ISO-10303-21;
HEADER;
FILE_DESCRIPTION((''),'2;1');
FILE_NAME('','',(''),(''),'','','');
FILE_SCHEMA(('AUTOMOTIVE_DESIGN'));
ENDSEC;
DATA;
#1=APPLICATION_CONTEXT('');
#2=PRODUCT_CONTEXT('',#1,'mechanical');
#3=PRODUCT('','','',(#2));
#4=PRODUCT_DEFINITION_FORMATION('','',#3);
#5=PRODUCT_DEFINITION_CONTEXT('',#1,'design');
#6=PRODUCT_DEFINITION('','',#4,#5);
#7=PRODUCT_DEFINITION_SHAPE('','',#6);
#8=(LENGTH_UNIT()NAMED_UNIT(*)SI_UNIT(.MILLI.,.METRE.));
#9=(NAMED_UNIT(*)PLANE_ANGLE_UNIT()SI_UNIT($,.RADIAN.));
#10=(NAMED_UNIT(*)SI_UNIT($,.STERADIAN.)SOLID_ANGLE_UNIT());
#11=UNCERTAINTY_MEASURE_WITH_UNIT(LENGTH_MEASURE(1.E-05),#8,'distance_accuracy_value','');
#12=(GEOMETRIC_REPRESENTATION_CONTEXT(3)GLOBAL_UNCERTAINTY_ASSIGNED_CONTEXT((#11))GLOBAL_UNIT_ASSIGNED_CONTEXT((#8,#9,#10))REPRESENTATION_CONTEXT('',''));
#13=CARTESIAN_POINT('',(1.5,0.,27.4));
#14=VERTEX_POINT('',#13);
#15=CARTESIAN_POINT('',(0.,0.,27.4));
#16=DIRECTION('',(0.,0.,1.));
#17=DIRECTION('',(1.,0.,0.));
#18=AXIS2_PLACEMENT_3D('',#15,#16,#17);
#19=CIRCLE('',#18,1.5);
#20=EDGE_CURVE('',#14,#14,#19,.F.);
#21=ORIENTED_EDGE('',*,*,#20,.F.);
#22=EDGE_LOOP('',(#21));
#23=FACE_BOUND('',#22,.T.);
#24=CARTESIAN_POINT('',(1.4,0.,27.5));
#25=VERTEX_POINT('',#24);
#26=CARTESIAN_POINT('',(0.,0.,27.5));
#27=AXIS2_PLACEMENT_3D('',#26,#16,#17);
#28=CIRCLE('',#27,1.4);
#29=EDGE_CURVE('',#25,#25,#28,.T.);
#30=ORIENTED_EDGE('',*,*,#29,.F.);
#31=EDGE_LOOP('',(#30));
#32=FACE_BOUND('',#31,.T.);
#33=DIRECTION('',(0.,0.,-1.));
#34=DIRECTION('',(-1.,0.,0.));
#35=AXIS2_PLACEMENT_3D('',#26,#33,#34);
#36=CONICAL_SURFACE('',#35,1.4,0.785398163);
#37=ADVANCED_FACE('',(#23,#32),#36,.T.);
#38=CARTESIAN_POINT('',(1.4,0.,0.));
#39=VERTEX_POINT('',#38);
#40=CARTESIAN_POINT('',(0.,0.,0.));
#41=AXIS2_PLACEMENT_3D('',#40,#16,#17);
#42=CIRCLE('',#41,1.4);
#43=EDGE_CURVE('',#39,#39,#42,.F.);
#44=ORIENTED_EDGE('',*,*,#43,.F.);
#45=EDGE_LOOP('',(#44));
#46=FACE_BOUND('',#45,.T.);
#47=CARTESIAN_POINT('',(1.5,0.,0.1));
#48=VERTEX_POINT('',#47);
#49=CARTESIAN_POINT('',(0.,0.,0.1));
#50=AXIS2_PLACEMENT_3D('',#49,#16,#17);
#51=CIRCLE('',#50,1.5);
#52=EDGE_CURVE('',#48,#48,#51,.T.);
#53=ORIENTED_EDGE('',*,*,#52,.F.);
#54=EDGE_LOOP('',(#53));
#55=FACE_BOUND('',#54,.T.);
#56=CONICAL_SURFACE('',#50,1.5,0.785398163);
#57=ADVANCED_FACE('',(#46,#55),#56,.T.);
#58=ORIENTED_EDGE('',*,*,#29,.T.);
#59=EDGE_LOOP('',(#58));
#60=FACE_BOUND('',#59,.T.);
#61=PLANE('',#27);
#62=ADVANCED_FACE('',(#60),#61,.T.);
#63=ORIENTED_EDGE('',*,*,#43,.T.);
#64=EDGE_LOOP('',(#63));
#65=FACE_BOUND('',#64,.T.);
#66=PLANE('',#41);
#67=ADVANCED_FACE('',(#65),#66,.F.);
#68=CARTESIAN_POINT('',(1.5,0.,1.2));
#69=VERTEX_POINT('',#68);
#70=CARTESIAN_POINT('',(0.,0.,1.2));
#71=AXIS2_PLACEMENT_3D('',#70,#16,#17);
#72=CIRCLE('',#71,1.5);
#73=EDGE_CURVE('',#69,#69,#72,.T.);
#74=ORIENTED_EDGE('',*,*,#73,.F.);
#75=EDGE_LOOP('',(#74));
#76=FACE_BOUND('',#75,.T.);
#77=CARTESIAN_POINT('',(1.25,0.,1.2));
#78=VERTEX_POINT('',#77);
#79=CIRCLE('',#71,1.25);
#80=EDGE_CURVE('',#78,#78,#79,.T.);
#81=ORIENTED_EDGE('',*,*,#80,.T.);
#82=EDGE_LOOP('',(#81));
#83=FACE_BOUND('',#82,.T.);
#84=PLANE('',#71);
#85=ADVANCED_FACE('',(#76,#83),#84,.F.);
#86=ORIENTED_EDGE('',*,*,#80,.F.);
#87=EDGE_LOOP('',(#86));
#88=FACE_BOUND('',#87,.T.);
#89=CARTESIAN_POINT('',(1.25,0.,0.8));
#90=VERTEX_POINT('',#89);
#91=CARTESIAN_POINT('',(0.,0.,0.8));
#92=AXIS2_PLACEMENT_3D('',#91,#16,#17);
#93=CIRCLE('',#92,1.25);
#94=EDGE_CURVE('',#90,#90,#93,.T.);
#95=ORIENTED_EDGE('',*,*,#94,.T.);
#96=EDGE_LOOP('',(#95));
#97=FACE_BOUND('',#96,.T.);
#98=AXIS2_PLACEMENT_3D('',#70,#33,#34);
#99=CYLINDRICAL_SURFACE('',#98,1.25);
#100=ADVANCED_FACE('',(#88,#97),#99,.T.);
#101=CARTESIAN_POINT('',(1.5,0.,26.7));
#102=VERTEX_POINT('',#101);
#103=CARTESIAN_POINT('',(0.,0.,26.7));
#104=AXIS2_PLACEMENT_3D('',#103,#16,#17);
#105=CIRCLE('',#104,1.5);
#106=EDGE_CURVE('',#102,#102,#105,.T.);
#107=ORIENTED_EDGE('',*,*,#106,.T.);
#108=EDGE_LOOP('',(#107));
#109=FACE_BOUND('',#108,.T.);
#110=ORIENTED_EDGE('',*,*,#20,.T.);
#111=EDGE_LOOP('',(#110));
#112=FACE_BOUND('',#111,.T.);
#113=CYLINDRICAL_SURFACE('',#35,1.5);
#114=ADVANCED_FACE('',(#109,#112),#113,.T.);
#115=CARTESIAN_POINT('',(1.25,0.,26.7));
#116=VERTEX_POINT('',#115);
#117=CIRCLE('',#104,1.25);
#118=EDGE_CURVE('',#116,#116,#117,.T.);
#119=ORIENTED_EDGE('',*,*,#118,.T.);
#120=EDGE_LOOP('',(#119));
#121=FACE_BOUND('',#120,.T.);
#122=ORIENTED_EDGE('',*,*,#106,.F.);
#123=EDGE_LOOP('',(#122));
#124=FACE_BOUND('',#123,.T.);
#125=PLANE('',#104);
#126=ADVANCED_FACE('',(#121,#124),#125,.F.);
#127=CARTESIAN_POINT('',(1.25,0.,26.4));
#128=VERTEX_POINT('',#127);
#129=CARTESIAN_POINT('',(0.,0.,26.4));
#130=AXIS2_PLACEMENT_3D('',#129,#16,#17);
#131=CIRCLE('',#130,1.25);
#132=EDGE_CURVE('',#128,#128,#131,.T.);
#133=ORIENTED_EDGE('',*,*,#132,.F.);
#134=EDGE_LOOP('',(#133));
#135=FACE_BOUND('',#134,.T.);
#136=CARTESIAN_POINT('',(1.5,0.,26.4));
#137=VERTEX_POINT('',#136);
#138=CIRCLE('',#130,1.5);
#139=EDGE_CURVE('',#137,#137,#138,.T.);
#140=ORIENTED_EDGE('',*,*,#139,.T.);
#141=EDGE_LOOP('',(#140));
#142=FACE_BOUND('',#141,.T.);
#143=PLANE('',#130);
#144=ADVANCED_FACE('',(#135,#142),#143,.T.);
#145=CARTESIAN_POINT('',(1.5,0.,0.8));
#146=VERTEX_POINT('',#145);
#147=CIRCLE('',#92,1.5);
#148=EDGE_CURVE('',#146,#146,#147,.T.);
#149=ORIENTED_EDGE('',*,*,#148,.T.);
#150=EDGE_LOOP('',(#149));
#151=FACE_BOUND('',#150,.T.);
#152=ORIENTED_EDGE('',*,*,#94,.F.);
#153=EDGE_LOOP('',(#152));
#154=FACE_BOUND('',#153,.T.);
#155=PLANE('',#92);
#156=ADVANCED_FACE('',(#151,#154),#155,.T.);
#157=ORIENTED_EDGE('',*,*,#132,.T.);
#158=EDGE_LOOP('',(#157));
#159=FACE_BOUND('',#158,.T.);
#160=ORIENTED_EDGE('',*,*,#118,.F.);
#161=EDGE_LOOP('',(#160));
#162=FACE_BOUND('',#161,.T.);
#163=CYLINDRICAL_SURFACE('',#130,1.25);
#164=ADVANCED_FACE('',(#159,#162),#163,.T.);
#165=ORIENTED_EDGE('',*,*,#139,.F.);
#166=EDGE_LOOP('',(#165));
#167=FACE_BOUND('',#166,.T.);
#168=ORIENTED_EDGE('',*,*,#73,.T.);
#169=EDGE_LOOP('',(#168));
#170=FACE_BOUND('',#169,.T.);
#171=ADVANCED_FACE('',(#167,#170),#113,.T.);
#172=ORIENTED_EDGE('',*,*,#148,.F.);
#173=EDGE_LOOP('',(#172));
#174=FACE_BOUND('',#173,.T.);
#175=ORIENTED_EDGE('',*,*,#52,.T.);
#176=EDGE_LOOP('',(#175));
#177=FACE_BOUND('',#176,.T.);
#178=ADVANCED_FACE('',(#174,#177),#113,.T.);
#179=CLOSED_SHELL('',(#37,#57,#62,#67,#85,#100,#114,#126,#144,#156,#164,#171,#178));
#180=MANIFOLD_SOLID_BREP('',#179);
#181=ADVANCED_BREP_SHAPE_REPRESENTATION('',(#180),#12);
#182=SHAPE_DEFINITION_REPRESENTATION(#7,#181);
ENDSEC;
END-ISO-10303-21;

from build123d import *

# Parameters (mm, degrees)
SKETCH_1_R          = 1.5
EXTRUDE_1_DEPTH     = 27.5
SKETCH_2_R          = 1.5
SKETCH_2_R_2        = 1.25
CUT_EXTRUDE_1_DEPTH = 0.4
SKETCH_3_R          = 1.5
SKETCH_3_R_2        = 1.25
CUT_EXTRUDE_2_DEPTH = 0.3
CHAMFER_1_SIZE      = 0.1


with BuildPart() as part:
    # 草图1 → 凸台-拉伸1 (new body)
    with BuildSketch(Plane.XY):
        Circle(SKETCH_1_R)
    extrude(amount=EXTRUDE_1_DEPTH)

    # 草图2 → 切除-拉伸1 (cut)
    with BuildSketch(Plane.XY.offset(0.8)):
        Circle(SKETCH_2_R)
        Circle(SKETCH_2_R_2, mode=Mode.SUBTRACT)
    extrude(amount=CUT_EXTRUDE_1_DEPTH, mode=Mode.SUBTRACT)

    # 草图3 → 切除-拉伸2 (cut)
    with BuildSketch(Plane.XY.offset(26.7)):
        Circle(SKETCH_3_R)
        Circle(SKETCH_3_R_2, mode=Mode.SUBTRACT)
    extrude(amount=-CUT_EXTRUDE_2_DEPTH, mode=Mode.SUBTRACT)

    # 倒角1
    chamfer_1_edges = [part.edges().sort_by_distance(p)[0] for p in [
        (-1.5, 0, 0),
        (-1.5, 0, 27.5),
    ]]
    chamfer(chamfer_1_edges, length=CHAMFER_1_SIZE)


solid = part.part
